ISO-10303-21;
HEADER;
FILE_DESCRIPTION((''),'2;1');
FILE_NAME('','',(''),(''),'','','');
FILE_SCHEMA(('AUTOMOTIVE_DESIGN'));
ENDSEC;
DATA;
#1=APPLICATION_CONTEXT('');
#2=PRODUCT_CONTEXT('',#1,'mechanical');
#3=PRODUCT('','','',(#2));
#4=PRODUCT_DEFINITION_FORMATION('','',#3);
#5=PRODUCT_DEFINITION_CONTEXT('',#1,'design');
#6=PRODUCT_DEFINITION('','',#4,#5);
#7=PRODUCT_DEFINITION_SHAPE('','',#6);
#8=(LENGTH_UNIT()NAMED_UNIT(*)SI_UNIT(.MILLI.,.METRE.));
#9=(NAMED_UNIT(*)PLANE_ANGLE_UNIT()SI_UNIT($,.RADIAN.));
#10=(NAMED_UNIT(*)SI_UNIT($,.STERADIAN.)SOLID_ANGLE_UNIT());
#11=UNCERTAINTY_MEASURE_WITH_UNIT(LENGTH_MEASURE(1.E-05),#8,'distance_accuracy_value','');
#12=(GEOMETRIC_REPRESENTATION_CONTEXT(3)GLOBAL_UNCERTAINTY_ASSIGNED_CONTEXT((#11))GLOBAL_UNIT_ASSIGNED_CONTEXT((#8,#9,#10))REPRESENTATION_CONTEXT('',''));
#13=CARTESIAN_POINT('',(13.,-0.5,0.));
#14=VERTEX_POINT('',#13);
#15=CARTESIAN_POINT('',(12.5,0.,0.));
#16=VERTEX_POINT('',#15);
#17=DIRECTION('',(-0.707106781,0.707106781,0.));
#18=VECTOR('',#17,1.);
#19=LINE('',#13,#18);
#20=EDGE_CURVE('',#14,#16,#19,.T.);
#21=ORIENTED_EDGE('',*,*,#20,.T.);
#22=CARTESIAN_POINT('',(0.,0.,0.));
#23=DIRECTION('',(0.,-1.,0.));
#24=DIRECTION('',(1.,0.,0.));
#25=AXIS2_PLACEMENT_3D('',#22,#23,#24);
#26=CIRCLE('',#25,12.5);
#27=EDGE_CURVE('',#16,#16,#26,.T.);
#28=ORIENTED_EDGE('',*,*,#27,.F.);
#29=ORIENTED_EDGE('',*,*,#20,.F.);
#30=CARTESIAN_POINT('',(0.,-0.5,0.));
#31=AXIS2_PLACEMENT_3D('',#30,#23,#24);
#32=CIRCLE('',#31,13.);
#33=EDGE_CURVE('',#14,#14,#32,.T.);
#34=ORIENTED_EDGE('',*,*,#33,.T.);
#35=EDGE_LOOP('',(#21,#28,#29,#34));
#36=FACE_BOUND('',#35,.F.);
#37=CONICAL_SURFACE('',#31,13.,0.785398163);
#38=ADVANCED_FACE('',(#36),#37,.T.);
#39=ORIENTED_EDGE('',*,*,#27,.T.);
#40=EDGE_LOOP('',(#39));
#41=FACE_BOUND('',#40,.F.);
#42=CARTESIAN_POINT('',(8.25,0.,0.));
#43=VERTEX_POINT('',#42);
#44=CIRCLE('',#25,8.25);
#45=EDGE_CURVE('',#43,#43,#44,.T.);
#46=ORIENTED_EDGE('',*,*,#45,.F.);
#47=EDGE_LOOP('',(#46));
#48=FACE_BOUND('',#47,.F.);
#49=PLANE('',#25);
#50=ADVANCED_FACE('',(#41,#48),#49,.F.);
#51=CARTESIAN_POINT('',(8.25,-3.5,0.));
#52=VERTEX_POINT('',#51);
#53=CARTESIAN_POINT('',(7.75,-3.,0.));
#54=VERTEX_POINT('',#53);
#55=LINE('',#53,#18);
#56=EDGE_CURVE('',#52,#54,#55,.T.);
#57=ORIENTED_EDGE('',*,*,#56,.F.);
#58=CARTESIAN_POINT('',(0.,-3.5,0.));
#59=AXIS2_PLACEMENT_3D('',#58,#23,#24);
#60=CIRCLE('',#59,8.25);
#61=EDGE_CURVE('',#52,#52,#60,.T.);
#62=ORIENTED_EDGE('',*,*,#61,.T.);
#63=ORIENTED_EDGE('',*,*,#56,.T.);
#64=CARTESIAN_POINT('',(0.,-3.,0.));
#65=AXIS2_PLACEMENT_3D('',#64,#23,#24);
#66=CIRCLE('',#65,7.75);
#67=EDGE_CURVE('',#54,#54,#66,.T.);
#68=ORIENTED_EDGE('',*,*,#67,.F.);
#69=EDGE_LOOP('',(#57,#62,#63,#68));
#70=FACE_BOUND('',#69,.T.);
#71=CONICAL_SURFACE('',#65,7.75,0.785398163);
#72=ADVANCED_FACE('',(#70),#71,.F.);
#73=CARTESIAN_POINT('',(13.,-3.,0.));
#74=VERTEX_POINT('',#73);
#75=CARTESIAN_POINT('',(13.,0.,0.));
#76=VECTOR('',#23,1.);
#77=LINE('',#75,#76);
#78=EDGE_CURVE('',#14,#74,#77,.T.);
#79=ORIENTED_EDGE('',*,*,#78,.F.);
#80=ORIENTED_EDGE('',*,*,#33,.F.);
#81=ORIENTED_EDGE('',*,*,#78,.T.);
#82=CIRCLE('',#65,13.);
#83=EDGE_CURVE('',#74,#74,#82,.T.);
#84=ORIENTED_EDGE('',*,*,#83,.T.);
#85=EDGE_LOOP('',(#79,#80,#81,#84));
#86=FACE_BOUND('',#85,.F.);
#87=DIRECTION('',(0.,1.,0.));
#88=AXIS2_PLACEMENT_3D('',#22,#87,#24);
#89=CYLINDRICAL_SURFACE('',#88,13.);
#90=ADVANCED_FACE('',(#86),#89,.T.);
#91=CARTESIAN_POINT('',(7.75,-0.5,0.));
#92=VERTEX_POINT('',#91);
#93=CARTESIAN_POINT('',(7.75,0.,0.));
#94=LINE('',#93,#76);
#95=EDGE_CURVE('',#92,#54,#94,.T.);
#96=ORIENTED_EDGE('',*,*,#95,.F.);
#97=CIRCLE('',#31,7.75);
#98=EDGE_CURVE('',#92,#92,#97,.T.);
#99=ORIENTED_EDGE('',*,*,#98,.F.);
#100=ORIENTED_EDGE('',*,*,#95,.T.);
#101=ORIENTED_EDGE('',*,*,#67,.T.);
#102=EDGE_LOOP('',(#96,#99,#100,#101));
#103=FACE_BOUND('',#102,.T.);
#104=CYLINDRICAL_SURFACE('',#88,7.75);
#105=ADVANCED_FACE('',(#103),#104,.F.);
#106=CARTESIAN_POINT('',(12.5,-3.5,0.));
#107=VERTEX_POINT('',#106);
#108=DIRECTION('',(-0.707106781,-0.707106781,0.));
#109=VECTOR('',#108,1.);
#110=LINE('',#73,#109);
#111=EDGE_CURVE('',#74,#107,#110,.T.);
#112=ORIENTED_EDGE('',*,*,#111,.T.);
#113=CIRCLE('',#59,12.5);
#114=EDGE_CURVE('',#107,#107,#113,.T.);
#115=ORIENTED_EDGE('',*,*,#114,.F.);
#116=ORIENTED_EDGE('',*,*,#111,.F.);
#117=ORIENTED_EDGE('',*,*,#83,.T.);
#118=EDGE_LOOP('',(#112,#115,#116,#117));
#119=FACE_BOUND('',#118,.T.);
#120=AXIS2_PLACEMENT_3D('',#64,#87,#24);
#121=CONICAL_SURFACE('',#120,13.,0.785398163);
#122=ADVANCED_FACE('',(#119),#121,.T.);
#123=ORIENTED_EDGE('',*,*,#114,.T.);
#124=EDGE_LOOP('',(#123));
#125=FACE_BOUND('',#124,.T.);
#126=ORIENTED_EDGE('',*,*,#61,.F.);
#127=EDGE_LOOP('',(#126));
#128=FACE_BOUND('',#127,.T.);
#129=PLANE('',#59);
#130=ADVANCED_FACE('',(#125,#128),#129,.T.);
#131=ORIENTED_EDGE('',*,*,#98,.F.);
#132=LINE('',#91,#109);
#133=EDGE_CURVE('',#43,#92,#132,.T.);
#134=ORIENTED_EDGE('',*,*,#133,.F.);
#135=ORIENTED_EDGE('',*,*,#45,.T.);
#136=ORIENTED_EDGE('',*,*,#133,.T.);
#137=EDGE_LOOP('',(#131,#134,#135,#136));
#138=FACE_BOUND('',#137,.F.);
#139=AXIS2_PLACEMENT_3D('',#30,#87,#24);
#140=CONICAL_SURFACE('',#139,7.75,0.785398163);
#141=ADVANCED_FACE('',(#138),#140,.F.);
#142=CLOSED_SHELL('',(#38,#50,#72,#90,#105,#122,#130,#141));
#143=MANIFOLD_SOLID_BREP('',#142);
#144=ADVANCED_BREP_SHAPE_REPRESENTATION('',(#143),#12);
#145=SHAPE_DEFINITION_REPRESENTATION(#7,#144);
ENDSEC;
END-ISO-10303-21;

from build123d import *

# Parameters (mm, degrees)
F0_R     = 13
F0_R_2   = 7.75
F1_DEPTH = 3.5
F2_SIZE2 = 0.5
F2_SIZE  = 0.5
F3_SIZE  = 0.5


with BuildPart() as f1:
    # F0 (on Front) → F1 (new body)
    with BuildSketch(Plane.XZ):
        Circle(F0_R)
        Circle(F0_R_2, mode=Mode.SUBTRACT)
    extrude(amount=F1_DEPTH)

    # F2
    f2_edges = [f1.edges().sort_by_distance(p)[0] for p in [
        (-13, -3.5, 0),
        (-13, 0, 0),
    ]]
    chamfer(f2_edges, length=F2_SIZE, length2=F2_SIZE2)

    # F3
    f3_edges = [f1.edges().sort_by_distance(p)[0] for p in [
        (-7.75, 0, 0),
        (-7.75, -3.5, 0),
    ]]
    chamfer(f3_edges, length=F3_SIZE)


solid = f1.part
